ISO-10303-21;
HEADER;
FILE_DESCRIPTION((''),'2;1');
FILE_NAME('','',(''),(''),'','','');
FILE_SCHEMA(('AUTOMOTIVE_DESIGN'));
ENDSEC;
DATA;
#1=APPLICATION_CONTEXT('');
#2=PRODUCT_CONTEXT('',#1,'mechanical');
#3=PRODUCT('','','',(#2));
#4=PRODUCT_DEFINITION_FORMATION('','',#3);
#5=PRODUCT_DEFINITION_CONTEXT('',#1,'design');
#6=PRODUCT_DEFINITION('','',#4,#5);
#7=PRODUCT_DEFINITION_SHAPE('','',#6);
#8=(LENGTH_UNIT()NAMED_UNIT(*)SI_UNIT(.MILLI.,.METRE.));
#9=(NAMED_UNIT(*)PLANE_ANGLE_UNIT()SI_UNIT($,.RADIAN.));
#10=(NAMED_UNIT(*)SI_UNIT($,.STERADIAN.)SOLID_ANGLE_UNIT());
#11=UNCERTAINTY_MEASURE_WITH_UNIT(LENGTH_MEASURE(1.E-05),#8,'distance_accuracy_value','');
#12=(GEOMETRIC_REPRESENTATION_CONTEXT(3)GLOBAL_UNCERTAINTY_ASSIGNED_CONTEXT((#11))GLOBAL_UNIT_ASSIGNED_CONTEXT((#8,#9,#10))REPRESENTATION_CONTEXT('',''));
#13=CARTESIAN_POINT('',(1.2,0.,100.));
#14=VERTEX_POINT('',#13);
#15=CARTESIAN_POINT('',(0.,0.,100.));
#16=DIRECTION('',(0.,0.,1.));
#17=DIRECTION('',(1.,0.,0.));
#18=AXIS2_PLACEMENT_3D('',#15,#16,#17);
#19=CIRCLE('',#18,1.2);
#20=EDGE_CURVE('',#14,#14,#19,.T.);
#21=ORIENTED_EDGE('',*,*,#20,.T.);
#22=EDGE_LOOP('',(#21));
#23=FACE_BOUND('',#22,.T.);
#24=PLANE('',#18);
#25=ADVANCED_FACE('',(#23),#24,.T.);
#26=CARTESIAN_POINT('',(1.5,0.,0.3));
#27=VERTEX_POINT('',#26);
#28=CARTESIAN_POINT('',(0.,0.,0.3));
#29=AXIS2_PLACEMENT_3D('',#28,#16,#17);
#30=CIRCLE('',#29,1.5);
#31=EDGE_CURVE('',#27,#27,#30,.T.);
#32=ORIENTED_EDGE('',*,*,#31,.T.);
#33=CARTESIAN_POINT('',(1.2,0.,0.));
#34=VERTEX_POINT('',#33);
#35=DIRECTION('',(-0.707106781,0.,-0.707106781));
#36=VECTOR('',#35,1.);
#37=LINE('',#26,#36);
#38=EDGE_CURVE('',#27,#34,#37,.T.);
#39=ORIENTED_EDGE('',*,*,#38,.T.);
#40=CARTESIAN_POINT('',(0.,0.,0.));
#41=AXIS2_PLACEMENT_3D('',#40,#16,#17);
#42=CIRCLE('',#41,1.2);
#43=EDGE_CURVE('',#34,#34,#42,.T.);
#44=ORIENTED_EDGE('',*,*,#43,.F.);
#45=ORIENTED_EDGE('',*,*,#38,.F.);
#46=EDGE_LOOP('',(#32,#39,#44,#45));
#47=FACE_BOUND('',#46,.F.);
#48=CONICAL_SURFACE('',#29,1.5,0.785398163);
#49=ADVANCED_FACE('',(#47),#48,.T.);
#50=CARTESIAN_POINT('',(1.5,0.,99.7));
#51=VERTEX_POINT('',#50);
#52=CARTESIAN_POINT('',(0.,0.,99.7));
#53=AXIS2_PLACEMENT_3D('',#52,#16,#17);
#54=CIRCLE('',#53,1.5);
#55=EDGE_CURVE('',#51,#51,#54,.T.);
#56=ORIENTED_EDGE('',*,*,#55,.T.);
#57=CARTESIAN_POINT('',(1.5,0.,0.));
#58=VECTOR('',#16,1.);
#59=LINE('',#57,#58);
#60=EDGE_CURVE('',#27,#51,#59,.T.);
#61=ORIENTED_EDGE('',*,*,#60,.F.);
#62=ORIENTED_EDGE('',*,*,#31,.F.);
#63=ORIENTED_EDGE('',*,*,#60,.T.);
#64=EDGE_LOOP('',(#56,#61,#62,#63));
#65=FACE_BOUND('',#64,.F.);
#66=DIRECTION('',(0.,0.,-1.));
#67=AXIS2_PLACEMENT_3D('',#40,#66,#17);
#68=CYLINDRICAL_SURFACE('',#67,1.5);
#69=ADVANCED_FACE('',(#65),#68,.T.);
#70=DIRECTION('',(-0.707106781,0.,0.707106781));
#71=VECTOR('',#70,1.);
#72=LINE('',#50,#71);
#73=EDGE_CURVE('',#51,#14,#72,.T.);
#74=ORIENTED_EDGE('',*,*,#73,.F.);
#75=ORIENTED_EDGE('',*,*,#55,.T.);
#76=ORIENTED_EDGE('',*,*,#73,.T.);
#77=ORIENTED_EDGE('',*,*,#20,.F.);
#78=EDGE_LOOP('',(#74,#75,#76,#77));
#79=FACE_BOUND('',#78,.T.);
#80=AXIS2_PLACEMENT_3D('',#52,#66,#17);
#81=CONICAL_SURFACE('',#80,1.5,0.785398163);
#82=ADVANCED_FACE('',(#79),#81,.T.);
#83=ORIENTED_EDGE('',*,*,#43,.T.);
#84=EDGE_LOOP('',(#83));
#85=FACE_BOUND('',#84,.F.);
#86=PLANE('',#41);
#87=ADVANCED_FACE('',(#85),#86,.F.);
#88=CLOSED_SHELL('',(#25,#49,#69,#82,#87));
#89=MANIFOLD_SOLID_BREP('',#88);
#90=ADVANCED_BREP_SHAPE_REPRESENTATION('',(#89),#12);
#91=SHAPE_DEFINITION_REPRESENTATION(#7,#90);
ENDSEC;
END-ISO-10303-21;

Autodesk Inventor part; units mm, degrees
ref_plane "YZ Plane" through (0, 0, 0) normal (1, 0, 0) x (0, 1, 0)
ref_plane "XZ Plane" through (0, 0, 0) normal (0, 1, 0) x (-1, 0, 0)
ref_plane "XY Plane" through (0, 0, 0) normal (0, 0, 1) x (1, 0, 0)
sketch "Skizze1" plane through (0, 0, 0) normal (0, 0, 1) x (1, 0, 0)
  circle A0 centre (0, 0) radius 1.5
  dimension "d0" = 3
extrude "Extrusion1" add sketch "Skizze1" along normal blind 100
thread "Gewinde1" size "M3x0.5" class "6g" standard "ANSI Metric M Profile" full length
chamfer "Fase1" distance 0.3 angle 45 2 edges at (-1.5, 0, 100) (-1.5, 0, 0)
properties part number "Gewindestange" material "Stahl"
